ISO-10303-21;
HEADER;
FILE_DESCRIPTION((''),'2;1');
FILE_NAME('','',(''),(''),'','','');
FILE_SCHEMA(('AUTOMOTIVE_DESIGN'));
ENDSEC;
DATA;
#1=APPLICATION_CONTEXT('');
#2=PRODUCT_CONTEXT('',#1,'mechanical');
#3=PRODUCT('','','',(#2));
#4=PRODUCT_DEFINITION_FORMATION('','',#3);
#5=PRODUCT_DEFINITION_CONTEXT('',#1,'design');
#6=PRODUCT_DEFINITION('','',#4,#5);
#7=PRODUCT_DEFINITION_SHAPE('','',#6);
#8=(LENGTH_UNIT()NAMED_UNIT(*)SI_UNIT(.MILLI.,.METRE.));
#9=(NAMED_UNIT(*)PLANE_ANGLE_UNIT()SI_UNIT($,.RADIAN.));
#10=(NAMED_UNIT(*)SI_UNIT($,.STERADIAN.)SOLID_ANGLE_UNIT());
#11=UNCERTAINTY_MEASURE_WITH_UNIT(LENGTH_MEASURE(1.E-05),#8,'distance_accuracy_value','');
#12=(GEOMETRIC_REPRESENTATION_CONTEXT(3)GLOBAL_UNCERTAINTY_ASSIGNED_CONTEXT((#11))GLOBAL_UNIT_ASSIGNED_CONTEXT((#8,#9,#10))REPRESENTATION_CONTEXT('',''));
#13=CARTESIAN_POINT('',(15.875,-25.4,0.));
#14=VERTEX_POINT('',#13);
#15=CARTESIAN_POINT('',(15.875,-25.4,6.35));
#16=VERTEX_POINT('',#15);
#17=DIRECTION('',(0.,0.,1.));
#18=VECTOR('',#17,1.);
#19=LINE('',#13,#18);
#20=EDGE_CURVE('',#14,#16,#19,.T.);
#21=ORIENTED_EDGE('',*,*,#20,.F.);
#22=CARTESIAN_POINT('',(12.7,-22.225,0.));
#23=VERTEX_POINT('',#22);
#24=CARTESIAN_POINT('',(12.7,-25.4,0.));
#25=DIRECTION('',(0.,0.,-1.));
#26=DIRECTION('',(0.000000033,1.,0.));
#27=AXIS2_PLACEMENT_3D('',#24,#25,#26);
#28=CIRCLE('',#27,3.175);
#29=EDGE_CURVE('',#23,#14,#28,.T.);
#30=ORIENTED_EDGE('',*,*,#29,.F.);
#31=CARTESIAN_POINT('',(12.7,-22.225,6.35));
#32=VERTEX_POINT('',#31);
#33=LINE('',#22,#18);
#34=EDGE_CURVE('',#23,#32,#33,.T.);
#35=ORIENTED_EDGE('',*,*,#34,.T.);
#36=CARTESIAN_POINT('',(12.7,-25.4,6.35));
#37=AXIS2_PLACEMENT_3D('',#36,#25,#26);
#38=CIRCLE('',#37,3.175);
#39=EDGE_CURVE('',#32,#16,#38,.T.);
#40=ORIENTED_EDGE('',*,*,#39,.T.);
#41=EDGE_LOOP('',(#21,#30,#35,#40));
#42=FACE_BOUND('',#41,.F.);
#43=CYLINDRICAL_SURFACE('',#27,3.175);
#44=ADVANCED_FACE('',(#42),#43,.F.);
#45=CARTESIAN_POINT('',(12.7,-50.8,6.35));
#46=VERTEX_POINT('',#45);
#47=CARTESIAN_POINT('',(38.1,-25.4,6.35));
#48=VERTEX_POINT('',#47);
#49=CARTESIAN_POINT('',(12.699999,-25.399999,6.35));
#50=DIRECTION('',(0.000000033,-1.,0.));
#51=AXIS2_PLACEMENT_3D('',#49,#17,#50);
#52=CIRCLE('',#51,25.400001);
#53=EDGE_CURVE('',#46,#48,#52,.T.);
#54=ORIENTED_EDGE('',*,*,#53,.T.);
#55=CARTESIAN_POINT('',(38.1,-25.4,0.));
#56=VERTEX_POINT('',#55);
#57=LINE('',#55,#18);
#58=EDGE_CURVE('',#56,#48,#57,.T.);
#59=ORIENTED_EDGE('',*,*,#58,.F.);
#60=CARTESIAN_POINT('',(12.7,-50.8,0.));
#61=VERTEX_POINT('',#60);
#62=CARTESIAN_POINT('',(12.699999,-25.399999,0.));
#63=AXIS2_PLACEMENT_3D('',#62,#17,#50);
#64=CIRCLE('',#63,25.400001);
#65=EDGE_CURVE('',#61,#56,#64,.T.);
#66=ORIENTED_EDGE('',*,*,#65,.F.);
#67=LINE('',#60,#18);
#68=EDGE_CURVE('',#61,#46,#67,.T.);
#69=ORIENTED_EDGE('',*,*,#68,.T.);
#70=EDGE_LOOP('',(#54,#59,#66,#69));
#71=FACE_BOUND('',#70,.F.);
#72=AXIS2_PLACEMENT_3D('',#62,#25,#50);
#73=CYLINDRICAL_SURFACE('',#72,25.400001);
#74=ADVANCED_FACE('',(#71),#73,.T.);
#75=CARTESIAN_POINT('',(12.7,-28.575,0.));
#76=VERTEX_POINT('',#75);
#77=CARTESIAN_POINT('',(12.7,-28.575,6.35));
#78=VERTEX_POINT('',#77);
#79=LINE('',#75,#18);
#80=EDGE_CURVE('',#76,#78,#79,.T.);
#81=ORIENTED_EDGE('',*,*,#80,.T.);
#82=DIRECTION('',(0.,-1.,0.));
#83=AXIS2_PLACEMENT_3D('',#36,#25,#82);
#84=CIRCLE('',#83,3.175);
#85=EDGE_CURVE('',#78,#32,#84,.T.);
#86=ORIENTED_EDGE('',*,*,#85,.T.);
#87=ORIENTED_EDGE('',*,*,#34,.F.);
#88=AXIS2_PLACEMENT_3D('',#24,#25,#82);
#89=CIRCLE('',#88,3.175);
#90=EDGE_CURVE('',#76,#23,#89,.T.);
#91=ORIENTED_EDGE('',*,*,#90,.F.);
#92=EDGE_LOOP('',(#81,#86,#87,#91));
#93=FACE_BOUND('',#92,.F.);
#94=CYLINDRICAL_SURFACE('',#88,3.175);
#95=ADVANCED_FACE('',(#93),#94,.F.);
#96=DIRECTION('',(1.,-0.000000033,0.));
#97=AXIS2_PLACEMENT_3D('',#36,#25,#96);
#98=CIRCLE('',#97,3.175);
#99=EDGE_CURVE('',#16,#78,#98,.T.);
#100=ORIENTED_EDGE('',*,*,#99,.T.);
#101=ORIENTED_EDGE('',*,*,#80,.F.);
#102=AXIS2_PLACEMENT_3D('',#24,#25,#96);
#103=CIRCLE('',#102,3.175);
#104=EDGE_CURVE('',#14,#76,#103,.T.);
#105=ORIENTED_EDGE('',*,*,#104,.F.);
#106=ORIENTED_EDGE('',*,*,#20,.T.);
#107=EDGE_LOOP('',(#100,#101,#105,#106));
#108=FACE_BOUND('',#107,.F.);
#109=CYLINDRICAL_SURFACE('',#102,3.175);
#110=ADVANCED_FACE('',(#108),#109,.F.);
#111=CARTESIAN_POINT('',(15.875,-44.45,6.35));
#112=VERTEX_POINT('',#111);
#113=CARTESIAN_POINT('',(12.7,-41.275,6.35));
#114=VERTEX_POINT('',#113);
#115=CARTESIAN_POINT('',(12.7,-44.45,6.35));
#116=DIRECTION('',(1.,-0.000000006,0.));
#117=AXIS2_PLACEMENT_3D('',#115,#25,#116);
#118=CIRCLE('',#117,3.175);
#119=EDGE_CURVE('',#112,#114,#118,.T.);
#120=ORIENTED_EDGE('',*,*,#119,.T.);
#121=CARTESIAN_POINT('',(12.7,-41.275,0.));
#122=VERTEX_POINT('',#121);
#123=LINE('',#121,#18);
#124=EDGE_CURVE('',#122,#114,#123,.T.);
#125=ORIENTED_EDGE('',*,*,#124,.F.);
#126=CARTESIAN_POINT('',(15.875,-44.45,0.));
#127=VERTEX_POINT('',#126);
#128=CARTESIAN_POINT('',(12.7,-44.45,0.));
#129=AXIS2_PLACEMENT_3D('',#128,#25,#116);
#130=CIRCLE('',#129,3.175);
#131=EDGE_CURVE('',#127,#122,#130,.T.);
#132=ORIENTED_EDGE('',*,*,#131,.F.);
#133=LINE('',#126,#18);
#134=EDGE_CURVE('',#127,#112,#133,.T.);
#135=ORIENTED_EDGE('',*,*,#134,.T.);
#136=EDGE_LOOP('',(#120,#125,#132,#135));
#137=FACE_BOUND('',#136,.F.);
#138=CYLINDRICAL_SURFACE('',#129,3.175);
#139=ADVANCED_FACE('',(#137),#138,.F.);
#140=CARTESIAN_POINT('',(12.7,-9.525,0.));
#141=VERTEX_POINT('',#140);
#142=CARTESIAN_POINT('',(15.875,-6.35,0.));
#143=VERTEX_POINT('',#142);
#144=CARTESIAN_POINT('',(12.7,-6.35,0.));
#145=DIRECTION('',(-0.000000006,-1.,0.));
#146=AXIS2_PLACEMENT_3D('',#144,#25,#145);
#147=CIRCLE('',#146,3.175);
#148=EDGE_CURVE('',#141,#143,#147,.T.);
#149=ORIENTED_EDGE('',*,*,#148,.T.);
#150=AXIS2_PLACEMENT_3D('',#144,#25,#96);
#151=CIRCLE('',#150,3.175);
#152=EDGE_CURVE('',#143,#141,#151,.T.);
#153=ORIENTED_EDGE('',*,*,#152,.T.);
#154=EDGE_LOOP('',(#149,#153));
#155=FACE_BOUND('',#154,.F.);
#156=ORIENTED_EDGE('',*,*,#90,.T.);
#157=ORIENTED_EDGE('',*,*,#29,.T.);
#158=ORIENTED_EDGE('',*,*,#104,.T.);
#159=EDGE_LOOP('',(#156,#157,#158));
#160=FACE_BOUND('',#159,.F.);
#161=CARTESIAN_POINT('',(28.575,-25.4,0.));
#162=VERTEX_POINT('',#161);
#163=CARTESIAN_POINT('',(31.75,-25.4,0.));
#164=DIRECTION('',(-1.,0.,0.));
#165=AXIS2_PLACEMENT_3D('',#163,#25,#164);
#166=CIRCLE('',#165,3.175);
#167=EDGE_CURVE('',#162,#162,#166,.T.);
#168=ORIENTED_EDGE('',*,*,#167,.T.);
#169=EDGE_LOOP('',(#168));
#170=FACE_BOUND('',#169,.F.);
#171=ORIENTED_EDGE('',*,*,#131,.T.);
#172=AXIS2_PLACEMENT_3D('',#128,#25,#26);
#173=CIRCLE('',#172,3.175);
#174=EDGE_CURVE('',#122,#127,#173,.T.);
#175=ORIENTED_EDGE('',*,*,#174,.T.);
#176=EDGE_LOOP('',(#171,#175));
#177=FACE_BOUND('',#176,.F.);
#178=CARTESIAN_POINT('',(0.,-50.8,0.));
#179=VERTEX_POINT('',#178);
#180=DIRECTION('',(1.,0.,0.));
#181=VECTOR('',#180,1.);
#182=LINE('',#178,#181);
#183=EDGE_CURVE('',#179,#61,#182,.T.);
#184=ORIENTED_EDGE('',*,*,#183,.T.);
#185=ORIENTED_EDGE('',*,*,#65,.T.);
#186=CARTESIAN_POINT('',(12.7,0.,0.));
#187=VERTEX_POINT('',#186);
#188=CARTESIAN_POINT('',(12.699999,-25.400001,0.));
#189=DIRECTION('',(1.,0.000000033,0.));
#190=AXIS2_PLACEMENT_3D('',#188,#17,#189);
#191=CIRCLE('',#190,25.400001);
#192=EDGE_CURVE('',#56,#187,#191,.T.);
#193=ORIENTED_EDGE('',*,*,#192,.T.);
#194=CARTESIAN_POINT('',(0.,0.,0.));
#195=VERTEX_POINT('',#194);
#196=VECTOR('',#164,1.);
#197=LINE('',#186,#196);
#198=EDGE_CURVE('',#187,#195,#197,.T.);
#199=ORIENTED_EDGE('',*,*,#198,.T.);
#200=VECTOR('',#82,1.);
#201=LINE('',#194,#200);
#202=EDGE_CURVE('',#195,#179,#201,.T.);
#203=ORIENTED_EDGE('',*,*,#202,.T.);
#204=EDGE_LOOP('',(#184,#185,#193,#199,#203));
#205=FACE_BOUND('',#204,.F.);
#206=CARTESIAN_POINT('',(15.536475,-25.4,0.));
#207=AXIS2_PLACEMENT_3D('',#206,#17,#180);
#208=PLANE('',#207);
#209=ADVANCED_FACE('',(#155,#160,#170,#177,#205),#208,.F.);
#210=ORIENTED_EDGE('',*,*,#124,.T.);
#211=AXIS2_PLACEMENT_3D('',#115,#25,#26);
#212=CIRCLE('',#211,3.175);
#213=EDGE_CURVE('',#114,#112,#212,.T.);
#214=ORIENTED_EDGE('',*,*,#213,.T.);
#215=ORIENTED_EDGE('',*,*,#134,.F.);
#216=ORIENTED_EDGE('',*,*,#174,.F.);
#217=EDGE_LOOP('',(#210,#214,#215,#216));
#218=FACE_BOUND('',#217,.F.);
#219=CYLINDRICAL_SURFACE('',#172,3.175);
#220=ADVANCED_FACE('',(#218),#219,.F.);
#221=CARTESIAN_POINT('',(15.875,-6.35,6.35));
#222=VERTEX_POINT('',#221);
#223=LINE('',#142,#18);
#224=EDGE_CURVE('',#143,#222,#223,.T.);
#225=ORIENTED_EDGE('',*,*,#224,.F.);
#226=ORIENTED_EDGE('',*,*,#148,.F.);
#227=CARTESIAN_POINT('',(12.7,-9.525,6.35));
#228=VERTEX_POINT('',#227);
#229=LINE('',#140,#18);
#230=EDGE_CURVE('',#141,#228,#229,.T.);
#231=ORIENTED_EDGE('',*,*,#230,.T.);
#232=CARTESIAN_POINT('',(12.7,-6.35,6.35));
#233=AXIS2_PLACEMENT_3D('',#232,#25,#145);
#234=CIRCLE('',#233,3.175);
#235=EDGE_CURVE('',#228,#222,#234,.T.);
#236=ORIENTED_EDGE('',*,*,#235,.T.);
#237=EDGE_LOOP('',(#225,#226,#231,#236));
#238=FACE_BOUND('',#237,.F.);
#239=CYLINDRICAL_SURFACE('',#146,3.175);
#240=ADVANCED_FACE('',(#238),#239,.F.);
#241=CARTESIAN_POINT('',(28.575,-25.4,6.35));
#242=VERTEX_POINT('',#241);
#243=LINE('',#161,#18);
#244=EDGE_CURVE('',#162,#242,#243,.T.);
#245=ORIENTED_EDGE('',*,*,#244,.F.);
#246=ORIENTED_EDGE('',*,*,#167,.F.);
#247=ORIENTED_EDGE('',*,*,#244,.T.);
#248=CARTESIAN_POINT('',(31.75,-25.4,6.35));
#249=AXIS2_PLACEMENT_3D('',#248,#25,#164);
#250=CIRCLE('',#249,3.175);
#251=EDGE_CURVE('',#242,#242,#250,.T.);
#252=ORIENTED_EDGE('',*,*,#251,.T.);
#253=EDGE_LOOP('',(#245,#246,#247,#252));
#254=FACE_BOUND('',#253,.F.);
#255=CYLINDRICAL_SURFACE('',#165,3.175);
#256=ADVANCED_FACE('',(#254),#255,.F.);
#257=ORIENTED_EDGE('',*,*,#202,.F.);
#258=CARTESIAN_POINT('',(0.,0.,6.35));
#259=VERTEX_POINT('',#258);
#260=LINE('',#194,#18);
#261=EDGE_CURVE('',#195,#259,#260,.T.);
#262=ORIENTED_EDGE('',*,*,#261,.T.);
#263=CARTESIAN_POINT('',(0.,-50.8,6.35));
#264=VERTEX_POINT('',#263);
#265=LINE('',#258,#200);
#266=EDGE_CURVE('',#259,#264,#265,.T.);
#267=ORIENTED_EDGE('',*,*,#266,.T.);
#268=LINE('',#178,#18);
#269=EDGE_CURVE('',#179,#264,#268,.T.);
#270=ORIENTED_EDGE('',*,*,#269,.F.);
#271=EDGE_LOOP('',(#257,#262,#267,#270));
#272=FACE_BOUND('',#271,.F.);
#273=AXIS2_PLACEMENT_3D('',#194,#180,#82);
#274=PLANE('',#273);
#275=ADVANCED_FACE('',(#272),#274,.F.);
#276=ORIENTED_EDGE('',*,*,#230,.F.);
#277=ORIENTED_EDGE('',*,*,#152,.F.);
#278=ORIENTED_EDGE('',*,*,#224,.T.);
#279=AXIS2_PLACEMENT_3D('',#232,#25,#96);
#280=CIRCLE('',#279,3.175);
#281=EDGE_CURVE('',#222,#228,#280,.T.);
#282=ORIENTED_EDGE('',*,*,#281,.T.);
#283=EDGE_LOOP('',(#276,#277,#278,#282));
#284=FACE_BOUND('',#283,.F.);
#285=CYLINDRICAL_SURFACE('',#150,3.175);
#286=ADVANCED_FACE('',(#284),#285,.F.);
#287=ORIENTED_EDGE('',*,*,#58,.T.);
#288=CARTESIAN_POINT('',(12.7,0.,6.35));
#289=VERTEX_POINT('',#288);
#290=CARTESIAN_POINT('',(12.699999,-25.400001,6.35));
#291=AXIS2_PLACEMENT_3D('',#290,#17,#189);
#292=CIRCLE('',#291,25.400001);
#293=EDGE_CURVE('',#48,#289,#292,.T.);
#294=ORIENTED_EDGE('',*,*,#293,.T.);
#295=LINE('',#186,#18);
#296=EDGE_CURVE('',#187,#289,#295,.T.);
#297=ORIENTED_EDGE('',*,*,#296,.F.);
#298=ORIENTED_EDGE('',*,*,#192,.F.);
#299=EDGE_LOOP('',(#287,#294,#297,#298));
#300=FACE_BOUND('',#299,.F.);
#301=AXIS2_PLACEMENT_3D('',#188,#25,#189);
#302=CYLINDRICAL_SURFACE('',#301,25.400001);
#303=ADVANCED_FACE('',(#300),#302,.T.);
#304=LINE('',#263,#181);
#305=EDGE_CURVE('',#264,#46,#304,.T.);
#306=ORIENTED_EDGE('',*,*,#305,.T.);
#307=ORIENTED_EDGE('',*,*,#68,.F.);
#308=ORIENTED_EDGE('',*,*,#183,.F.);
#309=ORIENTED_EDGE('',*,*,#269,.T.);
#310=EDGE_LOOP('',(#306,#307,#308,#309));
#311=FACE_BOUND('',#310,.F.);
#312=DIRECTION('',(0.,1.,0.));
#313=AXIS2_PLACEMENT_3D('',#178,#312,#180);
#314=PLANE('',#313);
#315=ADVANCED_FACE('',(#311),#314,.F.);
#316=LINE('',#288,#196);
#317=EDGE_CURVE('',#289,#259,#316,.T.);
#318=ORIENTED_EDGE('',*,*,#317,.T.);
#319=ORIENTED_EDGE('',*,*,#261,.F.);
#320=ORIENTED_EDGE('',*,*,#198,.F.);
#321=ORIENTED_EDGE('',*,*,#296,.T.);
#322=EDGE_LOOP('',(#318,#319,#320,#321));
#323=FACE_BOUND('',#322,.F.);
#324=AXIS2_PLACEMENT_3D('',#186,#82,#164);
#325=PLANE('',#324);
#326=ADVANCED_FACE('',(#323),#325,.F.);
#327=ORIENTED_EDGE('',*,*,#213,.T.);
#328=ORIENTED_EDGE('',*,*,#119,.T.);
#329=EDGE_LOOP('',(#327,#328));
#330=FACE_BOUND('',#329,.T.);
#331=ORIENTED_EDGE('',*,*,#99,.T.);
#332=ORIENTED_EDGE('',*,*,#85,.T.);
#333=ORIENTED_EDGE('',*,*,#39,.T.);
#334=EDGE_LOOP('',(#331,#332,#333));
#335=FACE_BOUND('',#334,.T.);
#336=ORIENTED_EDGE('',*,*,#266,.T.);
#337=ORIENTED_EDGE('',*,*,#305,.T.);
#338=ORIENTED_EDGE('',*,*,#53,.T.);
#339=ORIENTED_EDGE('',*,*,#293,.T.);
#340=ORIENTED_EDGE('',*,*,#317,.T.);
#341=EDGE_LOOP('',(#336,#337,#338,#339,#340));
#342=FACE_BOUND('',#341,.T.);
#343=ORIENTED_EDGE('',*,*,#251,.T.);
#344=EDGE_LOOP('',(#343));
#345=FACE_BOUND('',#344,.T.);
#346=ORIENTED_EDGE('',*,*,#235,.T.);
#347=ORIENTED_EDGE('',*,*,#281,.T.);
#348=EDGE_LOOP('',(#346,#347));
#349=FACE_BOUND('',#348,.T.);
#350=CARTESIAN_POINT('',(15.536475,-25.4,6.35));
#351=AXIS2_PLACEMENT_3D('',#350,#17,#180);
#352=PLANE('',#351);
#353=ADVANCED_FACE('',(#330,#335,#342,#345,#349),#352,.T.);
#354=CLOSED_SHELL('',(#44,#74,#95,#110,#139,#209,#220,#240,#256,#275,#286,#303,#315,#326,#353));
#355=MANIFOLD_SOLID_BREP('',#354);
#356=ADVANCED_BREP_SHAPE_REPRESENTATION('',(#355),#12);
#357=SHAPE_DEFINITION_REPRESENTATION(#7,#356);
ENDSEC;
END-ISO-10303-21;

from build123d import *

# Parameters (mm, degrees)
F1_DEPTH = 6.35


with BuildPart() as f1:
    # F0 (on Top) → F1 (new body)
    with BuildSketch(Plane.XY):
        with BuildLine():
            Line((12.7, 0), (0, 0))
            Line((0, 0), (0, -50.8))
            Line((0, -50.8), (12.7, -50.8))
            ThreePointArc((12.7, -50.8), (30.660512, -43.360512), (38.1, -25.4))
            ThreePointArc((38.1, -25.4), (30.660512, -7.439488), (12.7, 0))
        make_face()
        with BuildLine():
            ThreePointArc((15.875, -44.45), (10.454936, -46.695064), (12.7, -41.275))
            ThreePointArc((12.7, -41.275), (14.945064, -42.204936), (15.875, -44.45))
        make_face(mode=Mode.SUBTRACT)
        with BuildLine():
            ThreePointArc((12.7, -22.225), (14.945064, -23.154936), (15.875, -25.4))
            ThreePointArc((15.875, -25.4), (14.945064, -27.645064), (12.7, -28.575))
            ThreePointArc((12.7, -28.575), (9.525, -25.4), (12.7, -22.225))
        make_face(mode=Mode.SUBTRACT)
        with BuildLine():
            ThreePointArc((34.925, -25.4), (31.75, -28.575), (28.575, -25.4))
            ThreePointArc((28.575, -25.4), (31.75, -22.225), (34.925, -25.4))
        make_face(mode=Mode.SUBTRACT)
        with BuildLine():
            ThreePointArc((15.875, -6.35), (14.945064, -8.595064), (12.7, -9.525))
            ThreePointArc((12.7, -9.525), (10.454936, -4.104936), (15.875, -6.35))
        make_face(mode=Mode.SUBTRACT)
    extrude(amount=F1_DEPTH)


solid = f1.part
